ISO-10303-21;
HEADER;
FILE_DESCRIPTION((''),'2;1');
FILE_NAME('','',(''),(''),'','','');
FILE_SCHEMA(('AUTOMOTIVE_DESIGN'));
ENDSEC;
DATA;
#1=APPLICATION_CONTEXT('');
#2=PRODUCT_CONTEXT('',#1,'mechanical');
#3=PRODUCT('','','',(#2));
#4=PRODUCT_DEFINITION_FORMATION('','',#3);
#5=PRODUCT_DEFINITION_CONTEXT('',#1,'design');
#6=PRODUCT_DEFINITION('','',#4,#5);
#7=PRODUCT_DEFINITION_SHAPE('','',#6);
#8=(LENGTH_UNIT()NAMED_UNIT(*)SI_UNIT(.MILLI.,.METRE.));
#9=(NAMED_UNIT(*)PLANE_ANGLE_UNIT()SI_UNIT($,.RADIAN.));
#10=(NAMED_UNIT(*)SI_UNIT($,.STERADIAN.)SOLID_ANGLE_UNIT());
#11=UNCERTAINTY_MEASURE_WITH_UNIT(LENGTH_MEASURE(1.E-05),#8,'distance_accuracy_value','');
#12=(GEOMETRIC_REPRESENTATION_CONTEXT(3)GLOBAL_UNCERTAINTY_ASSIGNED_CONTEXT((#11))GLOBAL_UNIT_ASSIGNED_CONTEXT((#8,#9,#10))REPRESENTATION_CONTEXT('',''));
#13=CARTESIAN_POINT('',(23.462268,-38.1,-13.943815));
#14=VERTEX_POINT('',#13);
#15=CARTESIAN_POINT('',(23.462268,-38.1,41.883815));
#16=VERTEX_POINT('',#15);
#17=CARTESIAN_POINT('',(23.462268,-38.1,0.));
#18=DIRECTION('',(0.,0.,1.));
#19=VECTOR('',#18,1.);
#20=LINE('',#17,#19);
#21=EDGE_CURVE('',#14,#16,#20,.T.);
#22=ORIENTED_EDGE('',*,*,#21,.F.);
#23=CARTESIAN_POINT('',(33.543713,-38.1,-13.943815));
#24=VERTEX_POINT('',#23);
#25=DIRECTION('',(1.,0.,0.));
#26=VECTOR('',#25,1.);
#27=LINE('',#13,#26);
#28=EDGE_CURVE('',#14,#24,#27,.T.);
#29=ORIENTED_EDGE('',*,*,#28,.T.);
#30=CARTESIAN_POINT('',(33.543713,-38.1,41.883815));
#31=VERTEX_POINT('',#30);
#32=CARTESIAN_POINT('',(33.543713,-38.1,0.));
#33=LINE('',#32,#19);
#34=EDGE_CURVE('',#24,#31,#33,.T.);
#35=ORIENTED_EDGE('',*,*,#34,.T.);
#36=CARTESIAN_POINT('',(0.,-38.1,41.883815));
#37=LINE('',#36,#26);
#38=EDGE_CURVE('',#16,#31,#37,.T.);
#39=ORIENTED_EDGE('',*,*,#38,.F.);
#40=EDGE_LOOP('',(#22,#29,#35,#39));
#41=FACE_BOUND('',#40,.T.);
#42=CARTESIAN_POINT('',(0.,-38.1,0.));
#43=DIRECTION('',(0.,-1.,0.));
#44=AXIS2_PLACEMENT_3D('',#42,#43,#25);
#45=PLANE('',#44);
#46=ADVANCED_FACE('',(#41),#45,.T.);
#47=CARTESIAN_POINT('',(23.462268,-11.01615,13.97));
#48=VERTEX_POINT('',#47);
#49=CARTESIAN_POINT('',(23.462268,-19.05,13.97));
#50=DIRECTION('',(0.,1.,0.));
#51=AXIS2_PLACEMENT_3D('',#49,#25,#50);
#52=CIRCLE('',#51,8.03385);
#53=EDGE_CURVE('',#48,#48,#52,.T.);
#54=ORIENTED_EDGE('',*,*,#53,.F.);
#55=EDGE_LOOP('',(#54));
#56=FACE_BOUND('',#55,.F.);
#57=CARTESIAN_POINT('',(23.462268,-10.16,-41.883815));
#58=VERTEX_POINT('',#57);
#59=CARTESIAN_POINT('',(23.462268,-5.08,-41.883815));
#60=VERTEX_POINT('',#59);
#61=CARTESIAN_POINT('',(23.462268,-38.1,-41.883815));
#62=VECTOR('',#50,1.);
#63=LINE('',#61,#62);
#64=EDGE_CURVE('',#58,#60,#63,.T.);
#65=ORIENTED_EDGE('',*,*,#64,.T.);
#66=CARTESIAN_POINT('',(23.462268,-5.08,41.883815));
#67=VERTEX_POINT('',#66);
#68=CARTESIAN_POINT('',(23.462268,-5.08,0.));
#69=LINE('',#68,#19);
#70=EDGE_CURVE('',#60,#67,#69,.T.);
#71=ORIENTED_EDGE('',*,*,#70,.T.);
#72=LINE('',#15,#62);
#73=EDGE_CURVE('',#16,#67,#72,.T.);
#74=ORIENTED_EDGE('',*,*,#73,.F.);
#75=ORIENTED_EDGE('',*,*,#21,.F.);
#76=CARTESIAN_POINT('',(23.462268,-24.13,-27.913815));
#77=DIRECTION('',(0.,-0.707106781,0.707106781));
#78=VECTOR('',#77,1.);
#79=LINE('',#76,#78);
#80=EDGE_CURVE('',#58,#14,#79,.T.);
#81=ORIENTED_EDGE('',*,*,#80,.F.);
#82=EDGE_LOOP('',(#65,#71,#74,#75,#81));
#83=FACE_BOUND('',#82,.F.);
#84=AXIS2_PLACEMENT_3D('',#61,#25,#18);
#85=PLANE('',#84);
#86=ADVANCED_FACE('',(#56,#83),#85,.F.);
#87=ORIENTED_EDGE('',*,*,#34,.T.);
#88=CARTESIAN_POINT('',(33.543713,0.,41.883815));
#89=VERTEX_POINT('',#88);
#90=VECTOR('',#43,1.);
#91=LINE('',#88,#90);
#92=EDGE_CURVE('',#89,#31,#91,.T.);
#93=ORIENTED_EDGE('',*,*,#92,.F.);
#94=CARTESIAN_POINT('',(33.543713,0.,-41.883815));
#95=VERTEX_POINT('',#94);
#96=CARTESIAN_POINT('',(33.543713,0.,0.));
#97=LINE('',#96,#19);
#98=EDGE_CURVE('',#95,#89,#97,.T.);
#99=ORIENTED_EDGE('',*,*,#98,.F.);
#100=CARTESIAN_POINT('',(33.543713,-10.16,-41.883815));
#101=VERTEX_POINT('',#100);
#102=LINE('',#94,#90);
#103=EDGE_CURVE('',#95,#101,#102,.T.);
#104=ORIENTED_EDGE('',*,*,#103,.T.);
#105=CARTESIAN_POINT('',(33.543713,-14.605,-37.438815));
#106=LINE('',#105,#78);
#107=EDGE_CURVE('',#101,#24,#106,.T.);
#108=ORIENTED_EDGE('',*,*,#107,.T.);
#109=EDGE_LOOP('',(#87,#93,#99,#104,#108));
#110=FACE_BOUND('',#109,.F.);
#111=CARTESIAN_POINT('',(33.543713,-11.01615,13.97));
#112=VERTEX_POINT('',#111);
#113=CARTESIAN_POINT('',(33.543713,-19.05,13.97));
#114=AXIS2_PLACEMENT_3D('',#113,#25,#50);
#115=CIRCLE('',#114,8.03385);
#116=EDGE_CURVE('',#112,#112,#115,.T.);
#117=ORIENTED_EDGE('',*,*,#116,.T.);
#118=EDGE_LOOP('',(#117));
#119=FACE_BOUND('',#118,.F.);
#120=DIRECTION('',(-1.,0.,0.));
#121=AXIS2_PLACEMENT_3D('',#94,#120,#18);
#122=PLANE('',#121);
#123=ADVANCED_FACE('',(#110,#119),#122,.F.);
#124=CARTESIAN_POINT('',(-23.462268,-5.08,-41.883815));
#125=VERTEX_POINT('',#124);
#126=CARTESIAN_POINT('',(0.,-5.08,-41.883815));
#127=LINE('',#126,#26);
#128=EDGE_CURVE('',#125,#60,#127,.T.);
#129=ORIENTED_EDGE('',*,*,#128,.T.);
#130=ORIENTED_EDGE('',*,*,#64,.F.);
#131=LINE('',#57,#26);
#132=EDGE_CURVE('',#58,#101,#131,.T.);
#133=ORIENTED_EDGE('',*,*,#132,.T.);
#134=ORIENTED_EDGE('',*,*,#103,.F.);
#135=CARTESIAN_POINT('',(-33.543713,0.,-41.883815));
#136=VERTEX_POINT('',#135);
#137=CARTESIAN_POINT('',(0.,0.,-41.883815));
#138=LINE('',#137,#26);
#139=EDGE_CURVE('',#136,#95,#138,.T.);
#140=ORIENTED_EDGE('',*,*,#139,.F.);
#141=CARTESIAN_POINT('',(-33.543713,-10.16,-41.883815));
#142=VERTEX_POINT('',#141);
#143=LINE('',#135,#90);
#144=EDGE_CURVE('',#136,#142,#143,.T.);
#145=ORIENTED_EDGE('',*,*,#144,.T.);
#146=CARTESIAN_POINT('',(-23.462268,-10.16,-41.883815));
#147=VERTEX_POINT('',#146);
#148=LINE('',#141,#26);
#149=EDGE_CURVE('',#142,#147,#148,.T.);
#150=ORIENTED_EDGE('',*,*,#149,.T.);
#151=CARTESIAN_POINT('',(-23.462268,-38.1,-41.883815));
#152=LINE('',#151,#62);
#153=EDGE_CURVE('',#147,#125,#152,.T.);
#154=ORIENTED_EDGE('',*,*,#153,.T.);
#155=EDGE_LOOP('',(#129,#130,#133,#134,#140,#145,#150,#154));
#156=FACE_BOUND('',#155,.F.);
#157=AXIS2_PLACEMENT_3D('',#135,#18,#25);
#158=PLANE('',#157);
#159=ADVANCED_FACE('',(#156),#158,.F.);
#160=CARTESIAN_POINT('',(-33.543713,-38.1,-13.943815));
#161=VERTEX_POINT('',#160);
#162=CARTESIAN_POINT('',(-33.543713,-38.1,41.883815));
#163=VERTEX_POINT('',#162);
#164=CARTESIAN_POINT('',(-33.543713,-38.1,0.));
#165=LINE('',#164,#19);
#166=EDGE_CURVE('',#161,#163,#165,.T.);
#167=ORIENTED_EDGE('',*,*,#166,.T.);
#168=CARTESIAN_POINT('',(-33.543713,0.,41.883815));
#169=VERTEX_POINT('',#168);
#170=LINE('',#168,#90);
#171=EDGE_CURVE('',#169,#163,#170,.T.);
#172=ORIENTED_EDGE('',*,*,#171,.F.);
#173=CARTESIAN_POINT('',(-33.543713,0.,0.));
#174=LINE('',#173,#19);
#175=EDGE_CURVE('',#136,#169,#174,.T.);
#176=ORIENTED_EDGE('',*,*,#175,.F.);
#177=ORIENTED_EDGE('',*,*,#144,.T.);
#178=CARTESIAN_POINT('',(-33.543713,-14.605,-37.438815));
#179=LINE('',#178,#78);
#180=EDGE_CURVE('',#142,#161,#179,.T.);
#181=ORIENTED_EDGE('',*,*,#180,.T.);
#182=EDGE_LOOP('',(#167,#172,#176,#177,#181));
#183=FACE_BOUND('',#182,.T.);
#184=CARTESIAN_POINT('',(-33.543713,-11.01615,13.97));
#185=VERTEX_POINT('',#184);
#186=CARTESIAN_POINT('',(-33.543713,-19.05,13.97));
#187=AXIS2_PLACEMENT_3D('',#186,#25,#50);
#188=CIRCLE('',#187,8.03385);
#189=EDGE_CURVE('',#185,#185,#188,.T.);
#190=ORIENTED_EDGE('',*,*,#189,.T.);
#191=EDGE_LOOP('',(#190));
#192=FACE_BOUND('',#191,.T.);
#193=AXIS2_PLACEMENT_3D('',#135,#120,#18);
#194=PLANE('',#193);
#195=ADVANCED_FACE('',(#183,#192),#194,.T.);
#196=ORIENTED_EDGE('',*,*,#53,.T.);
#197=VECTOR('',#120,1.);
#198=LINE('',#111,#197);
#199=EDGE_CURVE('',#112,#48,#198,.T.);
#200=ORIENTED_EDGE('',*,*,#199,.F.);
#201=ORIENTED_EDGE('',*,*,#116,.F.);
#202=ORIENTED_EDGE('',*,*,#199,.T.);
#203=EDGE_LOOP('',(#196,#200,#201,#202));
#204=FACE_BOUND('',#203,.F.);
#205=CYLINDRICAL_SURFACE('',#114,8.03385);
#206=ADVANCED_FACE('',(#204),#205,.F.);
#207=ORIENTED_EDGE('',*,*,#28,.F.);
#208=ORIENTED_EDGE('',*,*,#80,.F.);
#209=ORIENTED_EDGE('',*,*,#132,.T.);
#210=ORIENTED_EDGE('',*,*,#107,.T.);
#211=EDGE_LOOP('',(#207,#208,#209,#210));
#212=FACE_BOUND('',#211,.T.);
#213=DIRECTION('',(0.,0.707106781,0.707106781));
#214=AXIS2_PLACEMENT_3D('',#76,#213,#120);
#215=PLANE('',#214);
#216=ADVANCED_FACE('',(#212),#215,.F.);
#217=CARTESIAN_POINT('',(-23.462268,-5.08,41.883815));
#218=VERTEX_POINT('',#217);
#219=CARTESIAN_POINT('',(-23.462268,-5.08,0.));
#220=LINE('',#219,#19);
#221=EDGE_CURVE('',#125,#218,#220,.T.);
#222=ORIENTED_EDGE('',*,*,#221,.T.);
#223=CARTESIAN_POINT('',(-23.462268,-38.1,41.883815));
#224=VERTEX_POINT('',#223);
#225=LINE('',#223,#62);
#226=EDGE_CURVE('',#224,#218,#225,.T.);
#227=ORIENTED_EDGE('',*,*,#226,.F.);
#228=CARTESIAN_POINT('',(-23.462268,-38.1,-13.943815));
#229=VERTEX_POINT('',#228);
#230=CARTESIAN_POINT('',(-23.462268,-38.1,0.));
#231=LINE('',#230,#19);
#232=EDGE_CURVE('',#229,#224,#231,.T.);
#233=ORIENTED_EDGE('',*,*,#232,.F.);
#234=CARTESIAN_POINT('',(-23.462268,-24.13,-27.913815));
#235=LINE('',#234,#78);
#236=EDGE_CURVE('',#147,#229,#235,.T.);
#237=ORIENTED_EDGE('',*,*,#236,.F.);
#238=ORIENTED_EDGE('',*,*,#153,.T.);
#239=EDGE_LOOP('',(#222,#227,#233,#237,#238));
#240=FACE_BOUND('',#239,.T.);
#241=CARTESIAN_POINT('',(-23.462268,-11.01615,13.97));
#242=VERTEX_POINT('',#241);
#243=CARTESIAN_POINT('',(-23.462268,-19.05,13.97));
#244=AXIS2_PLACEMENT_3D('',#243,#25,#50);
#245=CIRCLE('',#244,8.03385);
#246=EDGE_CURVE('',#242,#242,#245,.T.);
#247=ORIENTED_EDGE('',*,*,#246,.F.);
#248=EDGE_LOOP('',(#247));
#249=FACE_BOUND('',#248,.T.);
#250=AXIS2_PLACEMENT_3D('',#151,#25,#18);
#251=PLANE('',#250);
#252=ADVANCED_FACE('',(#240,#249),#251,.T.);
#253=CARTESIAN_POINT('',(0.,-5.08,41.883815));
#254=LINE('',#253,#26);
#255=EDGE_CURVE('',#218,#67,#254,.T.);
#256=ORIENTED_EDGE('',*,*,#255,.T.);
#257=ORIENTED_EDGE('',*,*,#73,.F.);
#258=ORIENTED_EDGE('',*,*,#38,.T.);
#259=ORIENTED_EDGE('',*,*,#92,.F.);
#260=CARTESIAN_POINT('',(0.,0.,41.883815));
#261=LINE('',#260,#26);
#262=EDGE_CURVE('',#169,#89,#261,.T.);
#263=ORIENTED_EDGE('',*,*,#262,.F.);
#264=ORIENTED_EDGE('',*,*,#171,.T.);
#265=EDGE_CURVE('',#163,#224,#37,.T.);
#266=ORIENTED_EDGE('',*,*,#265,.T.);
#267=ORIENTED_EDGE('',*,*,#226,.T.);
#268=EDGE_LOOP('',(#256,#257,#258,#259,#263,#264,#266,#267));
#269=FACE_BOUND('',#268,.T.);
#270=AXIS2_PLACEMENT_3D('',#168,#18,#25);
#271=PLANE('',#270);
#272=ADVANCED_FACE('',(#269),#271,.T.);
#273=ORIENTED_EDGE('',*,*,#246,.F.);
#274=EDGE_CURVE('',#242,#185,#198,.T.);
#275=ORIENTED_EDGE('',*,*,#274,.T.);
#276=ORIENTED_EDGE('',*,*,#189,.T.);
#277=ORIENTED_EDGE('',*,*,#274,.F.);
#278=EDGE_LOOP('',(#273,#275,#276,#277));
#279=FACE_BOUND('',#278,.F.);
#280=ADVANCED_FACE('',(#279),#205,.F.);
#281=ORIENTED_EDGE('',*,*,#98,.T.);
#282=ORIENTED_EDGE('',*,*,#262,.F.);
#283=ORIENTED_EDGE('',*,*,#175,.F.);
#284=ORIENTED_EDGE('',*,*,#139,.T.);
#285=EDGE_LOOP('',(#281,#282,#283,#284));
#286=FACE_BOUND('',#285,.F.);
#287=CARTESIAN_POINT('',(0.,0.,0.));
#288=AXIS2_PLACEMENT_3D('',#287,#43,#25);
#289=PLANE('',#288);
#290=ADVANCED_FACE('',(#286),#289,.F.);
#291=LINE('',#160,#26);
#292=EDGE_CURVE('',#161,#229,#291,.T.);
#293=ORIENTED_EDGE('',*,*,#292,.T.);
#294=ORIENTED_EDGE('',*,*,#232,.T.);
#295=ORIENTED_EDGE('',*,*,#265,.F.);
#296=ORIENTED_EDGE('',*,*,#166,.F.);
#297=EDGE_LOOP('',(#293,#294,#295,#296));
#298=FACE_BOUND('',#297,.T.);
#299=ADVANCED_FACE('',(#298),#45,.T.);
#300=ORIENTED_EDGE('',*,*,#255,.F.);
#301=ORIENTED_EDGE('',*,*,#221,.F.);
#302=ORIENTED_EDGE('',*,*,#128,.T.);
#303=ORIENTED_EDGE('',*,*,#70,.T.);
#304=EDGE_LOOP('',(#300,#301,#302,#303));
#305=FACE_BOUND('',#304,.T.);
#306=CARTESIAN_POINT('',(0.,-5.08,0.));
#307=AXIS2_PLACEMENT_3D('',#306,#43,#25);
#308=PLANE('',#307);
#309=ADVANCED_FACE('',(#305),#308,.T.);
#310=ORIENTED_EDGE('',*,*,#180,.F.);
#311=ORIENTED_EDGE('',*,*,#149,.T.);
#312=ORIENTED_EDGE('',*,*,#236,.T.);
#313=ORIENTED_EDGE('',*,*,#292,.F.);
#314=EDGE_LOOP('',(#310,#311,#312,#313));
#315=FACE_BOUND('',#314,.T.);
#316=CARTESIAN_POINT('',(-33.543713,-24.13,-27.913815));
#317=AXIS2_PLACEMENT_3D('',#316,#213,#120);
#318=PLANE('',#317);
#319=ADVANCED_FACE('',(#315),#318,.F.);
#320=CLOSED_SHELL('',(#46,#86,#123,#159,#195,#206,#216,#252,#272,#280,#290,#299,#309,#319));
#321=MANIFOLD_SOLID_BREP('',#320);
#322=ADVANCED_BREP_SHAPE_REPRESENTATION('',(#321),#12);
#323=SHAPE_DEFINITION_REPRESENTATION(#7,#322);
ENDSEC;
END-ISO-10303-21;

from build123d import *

# Parameters (mm, degrees)
F0_W     = 67.0874267817
F0_H     = 83.7676301599
F1_DEPTH = 38.1
F2_W     = 46.9245351851
F2_H     = 83.7676301599
F3_DEPTH = 33.02
F4_SIZE  = 27.94
F5_SIZE  = 27.94
F6_R     = 8.0338499756
F7_DEPTH = 67.0884267817


with BuildPart() as f1:
    # F0 (on Front) → F1 (new body)
    with BuildSketch(Plane.XZ):
        Rectangle(F0_W, F0_H)
    extrude(amount=F1_DEPTH)

    # F2 (on face) → F3 (cut)
    with BuildSketch(Plane.XZ.offset(38.1)):
        Rectangle(F2_W, F2_H)
    extrude(amount=-F3_DEPTH, mode=Mode.SUBTRACT)

    # F4
    f4_edges = [f1.edges().sort_by_distance(p)[0] for p in [
        (28.50299, -38.1, -41.883815),
    ]]
    chamfer(f4_edges, length=F4_SIZE)

    # F5
    f5_edges = [f1.edges().sort_by_distance(p)[0] for p in [
        (-28.50299, -38.1, -41.883815),
    ]]
    chamfer(f5_edges, length=F5_SIZE)

    # F6 (on face) → F7 (cut, through all)
    with BuildSketch(Plane.YZ.offset(33.5437133908)):
        with Locations((-19.05, 13.97)):
            Circle(F6_R)
    extrude(amount=-F7_DEPTH, mode=Mode.SUBTRACT)


solid = f1.part
